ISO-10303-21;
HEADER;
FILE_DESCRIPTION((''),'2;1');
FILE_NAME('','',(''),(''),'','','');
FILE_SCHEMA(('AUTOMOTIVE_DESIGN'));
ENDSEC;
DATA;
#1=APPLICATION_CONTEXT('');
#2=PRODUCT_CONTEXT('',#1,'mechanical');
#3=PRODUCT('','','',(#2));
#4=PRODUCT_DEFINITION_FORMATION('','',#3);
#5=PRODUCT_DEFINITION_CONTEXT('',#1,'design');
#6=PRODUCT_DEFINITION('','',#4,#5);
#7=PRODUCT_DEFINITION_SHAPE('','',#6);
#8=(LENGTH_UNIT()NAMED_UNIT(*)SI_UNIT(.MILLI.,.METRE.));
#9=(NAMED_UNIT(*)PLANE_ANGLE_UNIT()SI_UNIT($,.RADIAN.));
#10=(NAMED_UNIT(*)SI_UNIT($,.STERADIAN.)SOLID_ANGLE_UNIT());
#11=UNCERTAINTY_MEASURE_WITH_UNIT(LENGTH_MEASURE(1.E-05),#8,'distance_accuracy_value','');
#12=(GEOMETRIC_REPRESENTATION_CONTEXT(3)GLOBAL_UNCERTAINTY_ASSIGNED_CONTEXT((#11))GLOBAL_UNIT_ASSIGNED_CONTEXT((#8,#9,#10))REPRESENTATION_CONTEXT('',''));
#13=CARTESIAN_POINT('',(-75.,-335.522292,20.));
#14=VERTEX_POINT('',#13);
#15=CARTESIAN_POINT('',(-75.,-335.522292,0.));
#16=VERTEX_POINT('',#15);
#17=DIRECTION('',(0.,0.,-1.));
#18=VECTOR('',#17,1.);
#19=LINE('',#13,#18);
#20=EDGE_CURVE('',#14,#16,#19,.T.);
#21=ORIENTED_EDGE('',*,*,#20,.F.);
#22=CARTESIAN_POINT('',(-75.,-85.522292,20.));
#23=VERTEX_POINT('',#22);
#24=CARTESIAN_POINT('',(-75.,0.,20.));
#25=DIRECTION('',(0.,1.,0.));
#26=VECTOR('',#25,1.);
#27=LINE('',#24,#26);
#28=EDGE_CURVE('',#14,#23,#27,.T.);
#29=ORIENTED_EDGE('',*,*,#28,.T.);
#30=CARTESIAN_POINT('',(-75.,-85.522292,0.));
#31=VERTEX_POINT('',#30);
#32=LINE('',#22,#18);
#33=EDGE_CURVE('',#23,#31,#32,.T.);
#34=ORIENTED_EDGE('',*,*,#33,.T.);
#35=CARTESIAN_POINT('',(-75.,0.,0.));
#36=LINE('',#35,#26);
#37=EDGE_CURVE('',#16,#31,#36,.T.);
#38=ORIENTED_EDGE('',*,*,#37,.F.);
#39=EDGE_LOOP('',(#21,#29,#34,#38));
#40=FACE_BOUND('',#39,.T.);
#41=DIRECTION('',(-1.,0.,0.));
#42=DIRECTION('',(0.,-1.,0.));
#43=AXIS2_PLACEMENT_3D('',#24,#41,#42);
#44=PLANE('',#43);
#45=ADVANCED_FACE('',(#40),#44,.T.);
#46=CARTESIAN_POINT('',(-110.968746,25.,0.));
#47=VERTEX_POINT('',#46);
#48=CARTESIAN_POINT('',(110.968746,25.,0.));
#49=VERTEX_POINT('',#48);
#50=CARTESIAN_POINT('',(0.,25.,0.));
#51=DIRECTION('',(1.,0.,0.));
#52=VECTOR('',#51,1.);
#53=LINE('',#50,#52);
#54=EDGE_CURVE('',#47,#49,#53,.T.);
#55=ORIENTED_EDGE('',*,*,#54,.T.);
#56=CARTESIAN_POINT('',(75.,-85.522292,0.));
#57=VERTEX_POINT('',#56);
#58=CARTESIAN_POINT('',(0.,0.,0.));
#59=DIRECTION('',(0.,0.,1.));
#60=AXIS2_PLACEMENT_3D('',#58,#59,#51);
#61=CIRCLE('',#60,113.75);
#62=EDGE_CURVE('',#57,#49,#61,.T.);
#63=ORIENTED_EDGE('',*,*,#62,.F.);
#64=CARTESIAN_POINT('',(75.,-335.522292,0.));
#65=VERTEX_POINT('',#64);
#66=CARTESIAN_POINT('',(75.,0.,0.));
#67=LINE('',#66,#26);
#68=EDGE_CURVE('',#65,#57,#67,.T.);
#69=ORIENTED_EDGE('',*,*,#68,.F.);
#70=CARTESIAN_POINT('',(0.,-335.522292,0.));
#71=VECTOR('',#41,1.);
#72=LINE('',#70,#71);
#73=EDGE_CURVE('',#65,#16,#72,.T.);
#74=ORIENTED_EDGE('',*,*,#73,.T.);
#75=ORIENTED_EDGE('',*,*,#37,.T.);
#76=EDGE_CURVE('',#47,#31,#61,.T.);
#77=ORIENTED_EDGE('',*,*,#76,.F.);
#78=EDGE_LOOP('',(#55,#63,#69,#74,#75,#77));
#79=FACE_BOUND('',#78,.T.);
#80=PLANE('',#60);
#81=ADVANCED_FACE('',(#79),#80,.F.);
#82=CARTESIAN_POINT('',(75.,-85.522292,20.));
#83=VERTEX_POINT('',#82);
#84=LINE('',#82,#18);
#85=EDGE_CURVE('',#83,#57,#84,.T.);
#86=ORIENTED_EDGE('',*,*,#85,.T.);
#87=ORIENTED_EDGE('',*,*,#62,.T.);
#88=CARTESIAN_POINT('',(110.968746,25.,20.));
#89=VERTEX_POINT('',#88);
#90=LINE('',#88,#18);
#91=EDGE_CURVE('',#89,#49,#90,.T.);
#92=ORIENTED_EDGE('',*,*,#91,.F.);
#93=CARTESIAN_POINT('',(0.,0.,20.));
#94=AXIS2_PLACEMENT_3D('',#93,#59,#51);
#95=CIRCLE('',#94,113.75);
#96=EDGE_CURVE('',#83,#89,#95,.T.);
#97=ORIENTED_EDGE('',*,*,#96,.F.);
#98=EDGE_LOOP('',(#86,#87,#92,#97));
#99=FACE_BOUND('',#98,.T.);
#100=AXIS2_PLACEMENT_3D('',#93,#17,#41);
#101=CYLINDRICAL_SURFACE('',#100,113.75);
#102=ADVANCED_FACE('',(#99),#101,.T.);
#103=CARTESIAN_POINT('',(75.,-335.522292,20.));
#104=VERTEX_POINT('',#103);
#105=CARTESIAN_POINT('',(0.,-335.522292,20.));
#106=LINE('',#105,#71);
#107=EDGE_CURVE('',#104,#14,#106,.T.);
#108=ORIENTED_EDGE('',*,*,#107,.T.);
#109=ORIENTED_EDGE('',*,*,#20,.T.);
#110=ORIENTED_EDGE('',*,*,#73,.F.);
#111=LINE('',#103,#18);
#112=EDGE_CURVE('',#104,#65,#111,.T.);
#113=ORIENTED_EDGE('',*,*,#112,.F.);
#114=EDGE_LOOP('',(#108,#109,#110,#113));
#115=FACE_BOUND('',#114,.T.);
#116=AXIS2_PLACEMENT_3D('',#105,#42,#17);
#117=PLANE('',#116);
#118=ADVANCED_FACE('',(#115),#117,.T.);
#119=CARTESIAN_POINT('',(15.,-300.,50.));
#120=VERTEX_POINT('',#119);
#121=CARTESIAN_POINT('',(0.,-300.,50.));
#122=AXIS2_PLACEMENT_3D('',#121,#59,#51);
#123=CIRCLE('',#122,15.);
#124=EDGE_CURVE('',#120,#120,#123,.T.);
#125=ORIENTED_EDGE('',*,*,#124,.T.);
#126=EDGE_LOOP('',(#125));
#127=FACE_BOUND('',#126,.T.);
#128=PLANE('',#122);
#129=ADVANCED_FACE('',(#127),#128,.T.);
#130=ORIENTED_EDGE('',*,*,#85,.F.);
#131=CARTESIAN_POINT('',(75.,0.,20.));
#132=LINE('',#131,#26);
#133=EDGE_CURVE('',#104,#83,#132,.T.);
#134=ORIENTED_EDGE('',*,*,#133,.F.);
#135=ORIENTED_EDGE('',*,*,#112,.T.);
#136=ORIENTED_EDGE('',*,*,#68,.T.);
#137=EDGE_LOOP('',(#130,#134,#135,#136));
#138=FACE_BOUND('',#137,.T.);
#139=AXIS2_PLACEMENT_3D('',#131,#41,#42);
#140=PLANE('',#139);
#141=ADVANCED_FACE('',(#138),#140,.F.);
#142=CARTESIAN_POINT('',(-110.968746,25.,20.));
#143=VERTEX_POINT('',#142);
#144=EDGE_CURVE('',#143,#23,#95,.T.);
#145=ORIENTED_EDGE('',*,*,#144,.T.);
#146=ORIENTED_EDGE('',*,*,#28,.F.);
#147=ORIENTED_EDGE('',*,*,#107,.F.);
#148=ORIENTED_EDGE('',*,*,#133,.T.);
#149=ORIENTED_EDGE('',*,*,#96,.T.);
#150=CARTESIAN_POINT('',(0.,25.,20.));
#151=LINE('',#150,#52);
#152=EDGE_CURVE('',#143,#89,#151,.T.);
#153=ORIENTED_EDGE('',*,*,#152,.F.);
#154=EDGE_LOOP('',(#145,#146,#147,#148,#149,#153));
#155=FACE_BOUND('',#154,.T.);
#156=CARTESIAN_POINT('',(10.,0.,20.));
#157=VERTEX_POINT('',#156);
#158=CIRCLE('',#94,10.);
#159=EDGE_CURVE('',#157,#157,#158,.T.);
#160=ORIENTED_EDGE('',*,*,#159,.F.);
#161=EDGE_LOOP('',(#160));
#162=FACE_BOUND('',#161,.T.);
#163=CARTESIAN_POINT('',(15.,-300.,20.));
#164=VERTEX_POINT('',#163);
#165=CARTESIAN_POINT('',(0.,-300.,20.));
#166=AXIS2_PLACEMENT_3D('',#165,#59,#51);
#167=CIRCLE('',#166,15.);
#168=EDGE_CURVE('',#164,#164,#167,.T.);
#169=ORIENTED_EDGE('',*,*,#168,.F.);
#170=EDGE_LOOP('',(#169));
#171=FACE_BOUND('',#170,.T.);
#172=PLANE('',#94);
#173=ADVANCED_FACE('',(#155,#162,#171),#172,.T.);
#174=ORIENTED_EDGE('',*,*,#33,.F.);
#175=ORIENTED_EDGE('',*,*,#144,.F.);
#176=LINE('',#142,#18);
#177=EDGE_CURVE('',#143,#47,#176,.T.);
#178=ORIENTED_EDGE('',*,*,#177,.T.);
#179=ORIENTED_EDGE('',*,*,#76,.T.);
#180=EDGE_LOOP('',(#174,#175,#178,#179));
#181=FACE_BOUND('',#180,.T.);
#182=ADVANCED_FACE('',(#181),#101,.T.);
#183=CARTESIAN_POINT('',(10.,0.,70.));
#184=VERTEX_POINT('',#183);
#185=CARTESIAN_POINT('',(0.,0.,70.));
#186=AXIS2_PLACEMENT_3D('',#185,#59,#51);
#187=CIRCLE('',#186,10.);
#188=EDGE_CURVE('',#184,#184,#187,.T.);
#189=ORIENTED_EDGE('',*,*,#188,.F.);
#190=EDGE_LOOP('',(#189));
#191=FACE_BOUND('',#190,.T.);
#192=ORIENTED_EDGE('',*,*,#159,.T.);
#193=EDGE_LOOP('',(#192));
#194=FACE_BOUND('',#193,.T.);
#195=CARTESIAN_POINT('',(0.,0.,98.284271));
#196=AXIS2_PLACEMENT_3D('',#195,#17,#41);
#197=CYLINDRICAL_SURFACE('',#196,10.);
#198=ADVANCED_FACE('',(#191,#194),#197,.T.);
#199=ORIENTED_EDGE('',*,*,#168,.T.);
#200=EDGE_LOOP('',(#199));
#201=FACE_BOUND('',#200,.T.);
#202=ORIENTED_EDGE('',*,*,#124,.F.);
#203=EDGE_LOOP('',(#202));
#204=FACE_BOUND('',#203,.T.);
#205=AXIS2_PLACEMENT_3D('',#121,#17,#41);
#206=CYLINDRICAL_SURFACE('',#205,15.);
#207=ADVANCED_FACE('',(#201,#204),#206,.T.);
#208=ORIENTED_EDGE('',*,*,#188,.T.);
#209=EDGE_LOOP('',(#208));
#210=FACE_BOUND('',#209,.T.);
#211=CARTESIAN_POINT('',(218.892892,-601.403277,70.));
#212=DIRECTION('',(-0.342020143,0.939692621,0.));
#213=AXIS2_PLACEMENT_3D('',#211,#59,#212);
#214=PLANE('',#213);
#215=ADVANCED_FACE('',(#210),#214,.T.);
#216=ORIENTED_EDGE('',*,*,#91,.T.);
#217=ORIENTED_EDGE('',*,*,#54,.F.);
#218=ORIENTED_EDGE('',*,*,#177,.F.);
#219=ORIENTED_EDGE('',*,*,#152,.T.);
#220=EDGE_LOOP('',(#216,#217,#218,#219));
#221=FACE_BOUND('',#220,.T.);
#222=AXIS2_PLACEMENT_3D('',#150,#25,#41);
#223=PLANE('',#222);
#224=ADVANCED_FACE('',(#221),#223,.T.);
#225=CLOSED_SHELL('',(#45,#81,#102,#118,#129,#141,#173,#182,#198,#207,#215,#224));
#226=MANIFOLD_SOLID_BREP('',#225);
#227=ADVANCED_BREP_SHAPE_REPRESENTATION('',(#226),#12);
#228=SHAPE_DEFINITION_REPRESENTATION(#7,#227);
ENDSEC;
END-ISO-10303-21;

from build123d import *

# Parameters (mm, degrees)
BOSS_EXTRUDE1_DEPTH = 20
BOSS_EXTRUDE2_START = 20
SKETCH1_3_R         = 10
BOSS_EXTRUDE2_DEPTH = 50
SKETCH2_R           = 15
BOSS_EXTRUDE3_DEPTH = 30


with BuildPart() as part:
    # Sketch1 → Boss-Extrude1 (new body)
    with BuildSketch(Plane.XY):
        with BuildLine():
            Line((-75, -335.522292415), (75, -335.522292415))
            Line((75, -335.522292415), (75, -85.522292415))
            ThreePointArc((75, -85.522292415), (108.166019919, -35.201912374), (110.9687456, 25))
            Line((110.9687456, 25), (-110.9687456, 25))
            ThreePointArc((-110.9687456, 25), (-108.166019919, -35.201912374), (-75, -85.522292415))
            Line((-75, -85.522292415), (-75, -335.522292415))
        make_face()
    extrude(amount=BOSS_EXTRUDE1_DEPTH)

    # Sketch1<3> → Boss-Extrude2 (add)
    with BuildSketch(Plane.XY.offset(BOSS_EXTRUDE2_START)):
        Circle(SKETCH1_3_R)
    extrude(amount=BOSS_EXTRUDE2_DEPTH)

    # Sketch2 → Boss-Extrude3 (add)
    with BuildSketch(Plane.XY.offset(20)):
        with Locations((0, -300)):
            Circle(SKETCH2_R)
    extrude(amount=BOSS_EXTRUDE3_DEPTH)


solid = part.part
